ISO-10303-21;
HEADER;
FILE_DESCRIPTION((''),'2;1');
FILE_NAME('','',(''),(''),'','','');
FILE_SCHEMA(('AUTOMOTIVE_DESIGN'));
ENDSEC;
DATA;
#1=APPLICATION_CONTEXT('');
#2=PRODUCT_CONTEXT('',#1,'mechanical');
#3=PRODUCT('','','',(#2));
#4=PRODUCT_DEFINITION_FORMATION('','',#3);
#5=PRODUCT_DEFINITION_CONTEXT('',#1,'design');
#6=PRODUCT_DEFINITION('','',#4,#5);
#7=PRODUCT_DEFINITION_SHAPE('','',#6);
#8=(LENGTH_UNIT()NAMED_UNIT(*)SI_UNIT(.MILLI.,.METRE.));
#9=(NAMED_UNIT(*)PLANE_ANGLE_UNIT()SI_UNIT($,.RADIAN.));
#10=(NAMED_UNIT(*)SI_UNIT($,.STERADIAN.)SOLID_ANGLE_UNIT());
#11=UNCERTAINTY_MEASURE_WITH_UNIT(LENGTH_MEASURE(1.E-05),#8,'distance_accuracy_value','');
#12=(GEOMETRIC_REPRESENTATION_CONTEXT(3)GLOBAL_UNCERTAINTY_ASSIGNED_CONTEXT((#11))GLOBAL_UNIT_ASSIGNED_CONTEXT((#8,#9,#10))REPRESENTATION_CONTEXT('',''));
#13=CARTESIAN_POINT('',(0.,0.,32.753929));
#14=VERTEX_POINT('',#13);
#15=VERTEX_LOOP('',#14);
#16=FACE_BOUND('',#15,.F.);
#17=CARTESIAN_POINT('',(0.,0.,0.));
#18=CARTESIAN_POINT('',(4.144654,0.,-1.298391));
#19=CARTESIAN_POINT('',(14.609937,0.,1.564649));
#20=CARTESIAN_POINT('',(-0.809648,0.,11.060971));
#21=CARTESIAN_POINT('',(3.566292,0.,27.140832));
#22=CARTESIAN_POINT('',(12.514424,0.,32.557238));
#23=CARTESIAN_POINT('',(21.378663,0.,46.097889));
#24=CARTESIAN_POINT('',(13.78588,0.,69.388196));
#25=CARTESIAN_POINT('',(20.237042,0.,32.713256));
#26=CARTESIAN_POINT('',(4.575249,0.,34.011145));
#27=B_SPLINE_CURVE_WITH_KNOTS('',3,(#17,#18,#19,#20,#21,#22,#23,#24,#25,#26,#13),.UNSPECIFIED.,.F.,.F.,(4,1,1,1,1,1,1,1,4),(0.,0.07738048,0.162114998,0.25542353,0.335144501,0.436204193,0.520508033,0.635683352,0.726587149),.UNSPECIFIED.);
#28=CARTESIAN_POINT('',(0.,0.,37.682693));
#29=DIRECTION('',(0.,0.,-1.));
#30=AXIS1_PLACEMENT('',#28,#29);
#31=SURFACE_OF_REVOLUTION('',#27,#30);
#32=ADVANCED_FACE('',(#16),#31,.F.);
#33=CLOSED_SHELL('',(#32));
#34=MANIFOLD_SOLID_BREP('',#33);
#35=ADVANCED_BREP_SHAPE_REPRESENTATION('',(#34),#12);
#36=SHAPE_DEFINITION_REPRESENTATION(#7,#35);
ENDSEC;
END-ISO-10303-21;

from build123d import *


with BuildPart() as f1:
    # F0 (on Front) → F1 (revolve)
    with BuildSketch(Plane.XZ):
        with BuildLine():
            Line((0, 32.7539292108), (0, 0))
            add(Edge.make_bspline(
                [(0, 0), (4.1446535376, -1.2983907083), (14.609936748, 1.564649483), (-0.8096477796, 11.0609712102), (3.5662919118, 27.140831836), (12.5144244621, 32.5572377128), (21.3786631603, 46.097888509), (13.7858798606, 69.3881960188), (20.2370424212, 32.7132557359), (4.5752490699, 34.0111446039), (0, 32.7539292108)],
                knots=[0, 0, 0, 0, 0.0773804799, 0.162114998, 0.2554235303, 0.335144501, 0.4362041927, 0.5205080327, 0.6356833523, 0.7265871486, 0.7265871486, 0.7265871486, 0.7265871486], degree=3))
        make_face()
    revolve(axis=Axis((0, 0, 37.6826934516), (0, 0, -1)))


solid = f1.part
